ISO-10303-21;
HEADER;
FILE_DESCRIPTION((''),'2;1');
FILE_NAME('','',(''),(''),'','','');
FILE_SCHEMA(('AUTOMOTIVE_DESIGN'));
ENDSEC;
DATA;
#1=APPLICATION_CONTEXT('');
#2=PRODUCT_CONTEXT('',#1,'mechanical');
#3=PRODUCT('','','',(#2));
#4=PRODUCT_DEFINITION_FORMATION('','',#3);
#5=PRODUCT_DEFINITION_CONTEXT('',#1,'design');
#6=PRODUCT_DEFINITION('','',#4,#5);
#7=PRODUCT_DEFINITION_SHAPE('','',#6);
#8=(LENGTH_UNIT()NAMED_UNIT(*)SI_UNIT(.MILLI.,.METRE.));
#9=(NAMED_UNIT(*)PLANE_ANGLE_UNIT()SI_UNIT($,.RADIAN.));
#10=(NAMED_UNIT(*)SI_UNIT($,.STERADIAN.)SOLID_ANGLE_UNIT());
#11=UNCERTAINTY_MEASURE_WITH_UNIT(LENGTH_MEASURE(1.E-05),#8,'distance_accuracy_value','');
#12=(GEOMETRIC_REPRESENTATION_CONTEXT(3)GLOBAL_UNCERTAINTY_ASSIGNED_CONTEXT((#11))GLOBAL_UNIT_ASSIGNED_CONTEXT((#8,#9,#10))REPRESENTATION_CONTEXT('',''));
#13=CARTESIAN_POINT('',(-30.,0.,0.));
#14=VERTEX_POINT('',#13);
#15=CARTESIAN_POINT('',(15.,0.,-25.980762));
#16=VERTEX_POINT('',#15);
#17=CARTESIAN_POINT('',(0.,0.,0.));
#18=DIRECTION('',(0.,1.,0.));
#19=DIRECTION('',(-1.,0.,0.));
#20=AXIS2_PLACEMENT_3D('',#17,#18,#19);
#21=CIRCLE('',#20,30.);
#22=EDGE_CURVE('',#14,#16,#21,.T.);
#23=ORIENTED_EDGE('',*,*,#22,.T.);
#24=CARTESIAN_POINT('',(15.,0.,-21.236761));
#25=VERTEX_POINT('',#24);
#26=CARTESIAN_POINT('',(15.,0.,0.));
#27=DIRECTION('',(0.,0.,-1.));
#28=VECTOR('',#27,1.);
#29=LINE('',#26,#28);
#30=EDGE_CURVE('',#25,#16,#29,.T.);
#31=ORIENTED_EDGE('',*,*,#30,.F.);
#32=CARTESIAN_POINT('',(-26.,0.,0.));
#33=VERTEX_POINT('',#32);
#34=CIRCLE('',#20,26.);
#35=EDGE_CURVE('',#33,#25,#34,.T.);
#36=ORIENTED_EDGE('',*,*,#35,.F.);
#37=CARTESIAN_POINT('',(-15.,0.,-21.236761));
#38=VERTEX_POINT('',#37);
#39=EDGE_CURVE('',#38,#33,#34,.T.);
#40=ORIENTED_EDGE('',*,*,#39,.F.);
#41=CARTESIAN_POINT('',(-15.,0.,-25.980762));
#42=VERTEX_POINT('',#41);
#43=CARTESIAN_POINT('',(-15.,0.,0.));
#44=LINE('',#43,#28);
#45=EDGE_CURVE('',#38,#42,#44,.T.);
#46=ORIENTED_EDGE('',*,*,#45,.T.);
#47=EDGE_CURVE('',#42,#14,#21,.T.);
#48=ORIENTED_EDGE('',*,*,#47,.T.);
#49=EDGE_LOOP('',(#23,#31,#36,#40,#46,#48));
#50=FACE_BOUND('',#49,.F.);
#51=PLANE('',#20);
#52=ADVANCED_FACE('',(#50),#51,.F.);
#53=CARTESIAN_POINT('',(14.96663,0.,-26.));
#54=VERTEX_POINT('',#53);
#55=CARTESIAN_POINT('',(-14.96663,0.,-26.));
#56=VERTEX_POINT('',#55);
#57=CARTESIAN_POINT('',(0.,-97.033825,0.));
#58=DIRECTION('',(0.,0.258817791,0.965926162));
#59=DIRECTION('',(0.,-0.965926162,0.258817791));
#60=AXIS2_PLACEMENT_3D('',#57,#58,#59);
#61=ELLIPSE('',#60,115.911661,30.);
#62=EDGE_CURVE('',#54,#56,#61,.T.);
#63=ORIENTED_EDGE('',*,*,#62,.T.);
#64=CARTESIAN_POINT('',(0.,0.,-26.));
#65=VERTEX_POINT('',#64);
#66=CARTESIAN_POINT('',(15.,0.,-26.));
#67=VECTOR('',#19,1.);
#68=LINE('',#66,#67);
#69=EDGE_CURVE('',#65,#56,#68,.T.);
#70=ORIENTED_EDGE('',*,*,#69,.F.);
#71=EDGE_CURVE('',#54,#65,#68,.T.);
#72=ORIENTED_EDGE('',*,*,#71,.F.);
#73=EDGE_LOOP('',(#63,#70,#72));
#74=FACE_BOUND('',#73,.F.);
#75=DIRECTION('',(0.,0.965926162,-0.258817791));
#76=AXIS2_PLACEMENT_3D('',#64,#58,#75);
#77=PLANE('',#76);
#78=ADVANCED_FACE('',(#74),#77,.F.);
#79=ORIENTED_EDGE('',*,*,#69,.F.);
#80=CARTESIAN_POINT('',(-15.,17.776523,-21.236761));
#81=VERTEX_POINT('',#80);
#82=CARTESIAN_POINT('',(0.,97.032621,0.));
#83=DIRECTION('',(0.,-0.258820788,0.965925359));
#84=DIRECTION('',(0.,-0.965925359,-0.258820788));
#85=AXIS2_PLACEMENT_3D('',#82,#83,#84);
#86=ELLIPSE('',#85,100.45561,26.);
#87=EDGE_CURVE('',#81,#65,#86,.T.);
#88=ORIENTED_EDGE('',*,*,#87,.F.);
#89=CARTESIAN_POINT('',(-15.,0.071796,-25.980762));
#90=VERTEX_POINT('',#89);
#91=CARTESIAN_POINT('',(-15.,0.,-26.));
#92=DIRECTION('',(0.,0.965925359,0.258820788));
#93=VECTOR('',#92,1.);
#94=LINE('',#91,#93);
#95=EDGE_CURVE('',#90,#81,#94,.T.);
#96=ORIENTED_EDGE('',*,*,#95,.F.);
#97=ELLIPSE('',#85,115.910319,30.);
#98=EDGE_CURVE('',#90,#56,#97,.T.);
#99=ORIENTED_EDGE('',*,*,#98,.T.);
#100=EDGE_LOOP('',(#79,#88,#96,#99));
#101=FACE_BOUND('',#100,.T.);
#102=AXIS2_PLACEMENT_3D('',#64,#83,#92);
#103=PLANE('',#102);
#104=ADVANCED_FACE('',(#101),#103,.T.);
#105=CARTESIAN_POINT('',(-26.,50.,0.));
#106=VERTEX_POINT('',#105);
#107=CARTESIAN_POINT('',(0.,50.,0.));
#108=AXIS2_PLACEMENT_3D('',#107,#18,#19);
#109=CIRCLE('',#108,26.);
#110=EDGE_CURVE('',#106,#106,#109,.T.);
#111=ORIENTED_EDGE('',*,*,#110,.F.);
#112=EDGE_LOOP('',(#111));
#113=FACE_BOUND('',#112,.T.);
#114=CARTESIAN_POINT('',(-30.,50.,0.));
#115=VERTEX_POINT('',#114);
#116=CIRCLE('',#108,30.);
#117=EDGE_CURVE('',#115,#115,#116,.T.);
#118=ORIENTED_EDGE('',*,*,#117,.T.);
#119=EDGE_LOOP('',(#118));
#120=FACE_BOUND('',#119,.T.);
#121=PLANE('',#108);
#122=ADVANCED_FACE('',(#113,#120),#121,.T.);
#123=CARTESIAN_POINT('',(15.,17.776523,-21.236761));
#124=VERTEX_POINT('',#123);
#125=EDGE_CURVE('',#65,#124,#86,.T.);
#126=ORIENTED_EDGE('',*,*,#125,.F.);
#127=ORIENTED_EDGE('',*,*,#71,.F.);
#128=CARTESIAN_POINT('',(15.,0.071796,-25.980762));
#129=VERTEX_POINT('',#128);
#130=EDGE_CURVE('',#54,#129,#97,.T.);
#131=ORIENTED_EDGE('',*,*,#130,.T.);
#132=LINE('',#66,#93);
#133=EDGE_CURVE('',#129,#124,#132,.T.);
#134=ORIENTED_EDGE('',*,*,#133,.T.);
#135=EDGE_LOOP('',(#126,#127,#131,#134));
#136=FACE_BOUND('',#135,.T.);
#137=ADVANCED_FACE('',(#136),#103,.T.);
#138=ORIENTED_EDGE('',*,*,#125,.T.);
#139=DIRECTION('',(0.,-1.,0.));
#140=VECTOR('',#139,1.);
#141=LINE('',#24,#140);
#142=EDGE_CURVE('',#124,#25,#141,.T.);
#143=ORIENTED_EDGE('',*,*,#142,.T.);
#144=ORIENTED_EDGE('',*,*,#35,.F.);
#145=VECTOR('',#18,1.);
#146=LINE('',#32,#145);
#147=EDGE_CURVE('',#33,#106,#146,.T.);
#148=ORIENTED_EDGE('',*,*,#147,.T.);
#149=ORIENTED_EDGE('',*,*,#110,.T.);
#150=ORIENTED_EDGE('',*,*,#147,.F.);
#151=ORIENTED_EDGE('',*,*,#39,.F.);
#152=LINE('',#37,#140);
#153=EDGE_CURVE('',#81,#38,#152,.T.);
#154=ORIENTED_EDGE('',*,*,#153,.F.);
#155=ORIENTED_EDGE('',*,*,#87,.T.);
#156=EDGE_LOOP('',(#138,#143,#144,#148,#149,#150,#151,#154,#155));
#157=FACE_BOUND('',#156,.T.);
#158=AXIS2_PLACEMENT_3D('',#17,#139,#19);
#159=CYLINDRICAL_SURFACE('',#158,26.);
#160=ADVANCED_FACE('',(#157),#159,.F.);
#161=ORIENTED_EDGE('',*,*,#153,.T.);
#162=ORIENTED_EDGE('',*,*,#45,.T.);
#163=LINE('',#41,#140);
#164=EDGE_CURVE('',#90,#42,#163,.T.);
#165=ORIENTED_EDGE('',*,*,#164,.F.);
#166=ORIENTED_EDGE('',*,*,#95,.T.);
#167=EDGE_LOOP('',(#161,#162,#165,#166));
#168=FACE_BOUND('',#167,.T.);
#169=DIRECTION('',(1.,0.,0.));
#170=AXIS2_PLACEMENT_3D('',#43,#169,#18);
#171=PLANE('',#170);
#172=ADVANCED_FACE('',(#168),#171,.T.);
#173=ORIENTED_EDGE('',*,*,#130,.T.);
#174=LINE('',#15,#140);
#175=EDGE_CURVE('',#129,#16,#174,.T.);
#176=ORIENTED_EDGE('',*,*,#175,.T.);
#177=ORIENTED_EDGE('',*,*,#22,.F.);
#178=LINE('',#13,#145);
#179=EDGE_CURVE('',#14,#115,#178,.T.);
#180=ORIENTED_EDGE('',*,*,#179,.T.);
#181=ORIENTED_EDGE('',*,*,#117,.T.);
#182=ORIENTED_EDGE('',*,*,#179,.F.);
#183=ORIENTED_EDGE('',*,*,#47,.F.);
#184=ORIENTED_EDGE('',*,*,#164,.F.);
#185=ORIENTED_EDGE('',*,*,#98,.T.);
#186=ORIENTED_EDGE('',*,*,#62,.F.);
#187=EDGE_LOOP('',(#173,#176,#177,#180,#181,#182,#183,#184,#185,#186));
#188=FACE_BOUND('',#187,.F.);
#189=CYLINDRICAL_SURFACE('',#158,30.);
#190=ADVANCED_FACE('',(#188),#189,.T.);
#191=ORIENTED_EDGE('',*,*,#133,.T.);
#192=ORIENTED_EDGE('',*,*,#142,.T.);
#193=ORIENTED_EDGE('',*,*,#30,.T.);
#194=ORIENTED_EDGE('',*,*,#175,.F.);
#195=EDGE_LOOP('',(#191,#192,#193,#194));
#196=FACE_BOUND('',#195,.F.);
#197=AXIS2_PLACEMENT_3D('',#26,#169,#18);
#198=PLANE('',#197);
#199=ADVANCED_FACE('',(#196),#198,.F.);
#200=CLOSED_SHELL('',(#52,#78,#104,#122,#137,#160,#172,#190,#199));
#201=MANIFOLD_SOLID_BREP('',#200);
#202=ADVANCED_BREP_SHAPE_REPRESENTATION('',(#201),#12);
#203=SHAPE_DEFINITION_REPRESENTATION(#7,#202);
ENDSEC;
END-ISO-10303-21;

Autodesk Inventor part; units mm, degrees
ref_plane "YZ Plane" through (0, 0, 0) normal (1, 0, 0) x (0, 1, 0)
ref_plane "XZ Plane" through (0, 0, 0) normal (0, 1, 0) x (-1, 0, 0)
ref_plane "XY Plane" through (0, 0, 0) normal (0, 0, 1) x (1, 0, 0)
sketch "Sketch1" plane through (0, 0, 0) normal (0, 1, 0) x (-1, 0, 0)
  circle A0 centre (0, 0) radius 30
  circle A1 centre (0, 0) radius 26
  dimension "d0" = 60
  dimension "d1" = 52
extrude "Extrusion1" add sketch "Sketch1" along normal blind 50
sketch "Sketch2" plane through (0, 0, 0) normal (1, 0, 0) x (0, 1, 0)
  line L0 (0, 30) -> (0, -30) projected
  line L1 (0, -26) -> (19.3804, -20.807)
  line L2 (0, -26) -> (20.8201, -31.5787)
  line L3 (19.3804, -20.807) -> (-2.465, -20.807)
  line L4 (-2.465, -20.807) -> (-2.465, -32.37)
  line L5 (-2.465, -32.37) -> (20.8201, -32.37)
  line L6 (20.8201, -32.37) -> (20.8201, -31.5787)
  line L7 (0, -26) -> (50, -26) projected
  point P0 (0, 0)
  dimension "d6" = 15
  dimension "d7" = 15
extrude "Extrusion2" cut sketch "Sketch2" along normal mid plane 30
properties part number "Whistle Splitter 30mmR"
